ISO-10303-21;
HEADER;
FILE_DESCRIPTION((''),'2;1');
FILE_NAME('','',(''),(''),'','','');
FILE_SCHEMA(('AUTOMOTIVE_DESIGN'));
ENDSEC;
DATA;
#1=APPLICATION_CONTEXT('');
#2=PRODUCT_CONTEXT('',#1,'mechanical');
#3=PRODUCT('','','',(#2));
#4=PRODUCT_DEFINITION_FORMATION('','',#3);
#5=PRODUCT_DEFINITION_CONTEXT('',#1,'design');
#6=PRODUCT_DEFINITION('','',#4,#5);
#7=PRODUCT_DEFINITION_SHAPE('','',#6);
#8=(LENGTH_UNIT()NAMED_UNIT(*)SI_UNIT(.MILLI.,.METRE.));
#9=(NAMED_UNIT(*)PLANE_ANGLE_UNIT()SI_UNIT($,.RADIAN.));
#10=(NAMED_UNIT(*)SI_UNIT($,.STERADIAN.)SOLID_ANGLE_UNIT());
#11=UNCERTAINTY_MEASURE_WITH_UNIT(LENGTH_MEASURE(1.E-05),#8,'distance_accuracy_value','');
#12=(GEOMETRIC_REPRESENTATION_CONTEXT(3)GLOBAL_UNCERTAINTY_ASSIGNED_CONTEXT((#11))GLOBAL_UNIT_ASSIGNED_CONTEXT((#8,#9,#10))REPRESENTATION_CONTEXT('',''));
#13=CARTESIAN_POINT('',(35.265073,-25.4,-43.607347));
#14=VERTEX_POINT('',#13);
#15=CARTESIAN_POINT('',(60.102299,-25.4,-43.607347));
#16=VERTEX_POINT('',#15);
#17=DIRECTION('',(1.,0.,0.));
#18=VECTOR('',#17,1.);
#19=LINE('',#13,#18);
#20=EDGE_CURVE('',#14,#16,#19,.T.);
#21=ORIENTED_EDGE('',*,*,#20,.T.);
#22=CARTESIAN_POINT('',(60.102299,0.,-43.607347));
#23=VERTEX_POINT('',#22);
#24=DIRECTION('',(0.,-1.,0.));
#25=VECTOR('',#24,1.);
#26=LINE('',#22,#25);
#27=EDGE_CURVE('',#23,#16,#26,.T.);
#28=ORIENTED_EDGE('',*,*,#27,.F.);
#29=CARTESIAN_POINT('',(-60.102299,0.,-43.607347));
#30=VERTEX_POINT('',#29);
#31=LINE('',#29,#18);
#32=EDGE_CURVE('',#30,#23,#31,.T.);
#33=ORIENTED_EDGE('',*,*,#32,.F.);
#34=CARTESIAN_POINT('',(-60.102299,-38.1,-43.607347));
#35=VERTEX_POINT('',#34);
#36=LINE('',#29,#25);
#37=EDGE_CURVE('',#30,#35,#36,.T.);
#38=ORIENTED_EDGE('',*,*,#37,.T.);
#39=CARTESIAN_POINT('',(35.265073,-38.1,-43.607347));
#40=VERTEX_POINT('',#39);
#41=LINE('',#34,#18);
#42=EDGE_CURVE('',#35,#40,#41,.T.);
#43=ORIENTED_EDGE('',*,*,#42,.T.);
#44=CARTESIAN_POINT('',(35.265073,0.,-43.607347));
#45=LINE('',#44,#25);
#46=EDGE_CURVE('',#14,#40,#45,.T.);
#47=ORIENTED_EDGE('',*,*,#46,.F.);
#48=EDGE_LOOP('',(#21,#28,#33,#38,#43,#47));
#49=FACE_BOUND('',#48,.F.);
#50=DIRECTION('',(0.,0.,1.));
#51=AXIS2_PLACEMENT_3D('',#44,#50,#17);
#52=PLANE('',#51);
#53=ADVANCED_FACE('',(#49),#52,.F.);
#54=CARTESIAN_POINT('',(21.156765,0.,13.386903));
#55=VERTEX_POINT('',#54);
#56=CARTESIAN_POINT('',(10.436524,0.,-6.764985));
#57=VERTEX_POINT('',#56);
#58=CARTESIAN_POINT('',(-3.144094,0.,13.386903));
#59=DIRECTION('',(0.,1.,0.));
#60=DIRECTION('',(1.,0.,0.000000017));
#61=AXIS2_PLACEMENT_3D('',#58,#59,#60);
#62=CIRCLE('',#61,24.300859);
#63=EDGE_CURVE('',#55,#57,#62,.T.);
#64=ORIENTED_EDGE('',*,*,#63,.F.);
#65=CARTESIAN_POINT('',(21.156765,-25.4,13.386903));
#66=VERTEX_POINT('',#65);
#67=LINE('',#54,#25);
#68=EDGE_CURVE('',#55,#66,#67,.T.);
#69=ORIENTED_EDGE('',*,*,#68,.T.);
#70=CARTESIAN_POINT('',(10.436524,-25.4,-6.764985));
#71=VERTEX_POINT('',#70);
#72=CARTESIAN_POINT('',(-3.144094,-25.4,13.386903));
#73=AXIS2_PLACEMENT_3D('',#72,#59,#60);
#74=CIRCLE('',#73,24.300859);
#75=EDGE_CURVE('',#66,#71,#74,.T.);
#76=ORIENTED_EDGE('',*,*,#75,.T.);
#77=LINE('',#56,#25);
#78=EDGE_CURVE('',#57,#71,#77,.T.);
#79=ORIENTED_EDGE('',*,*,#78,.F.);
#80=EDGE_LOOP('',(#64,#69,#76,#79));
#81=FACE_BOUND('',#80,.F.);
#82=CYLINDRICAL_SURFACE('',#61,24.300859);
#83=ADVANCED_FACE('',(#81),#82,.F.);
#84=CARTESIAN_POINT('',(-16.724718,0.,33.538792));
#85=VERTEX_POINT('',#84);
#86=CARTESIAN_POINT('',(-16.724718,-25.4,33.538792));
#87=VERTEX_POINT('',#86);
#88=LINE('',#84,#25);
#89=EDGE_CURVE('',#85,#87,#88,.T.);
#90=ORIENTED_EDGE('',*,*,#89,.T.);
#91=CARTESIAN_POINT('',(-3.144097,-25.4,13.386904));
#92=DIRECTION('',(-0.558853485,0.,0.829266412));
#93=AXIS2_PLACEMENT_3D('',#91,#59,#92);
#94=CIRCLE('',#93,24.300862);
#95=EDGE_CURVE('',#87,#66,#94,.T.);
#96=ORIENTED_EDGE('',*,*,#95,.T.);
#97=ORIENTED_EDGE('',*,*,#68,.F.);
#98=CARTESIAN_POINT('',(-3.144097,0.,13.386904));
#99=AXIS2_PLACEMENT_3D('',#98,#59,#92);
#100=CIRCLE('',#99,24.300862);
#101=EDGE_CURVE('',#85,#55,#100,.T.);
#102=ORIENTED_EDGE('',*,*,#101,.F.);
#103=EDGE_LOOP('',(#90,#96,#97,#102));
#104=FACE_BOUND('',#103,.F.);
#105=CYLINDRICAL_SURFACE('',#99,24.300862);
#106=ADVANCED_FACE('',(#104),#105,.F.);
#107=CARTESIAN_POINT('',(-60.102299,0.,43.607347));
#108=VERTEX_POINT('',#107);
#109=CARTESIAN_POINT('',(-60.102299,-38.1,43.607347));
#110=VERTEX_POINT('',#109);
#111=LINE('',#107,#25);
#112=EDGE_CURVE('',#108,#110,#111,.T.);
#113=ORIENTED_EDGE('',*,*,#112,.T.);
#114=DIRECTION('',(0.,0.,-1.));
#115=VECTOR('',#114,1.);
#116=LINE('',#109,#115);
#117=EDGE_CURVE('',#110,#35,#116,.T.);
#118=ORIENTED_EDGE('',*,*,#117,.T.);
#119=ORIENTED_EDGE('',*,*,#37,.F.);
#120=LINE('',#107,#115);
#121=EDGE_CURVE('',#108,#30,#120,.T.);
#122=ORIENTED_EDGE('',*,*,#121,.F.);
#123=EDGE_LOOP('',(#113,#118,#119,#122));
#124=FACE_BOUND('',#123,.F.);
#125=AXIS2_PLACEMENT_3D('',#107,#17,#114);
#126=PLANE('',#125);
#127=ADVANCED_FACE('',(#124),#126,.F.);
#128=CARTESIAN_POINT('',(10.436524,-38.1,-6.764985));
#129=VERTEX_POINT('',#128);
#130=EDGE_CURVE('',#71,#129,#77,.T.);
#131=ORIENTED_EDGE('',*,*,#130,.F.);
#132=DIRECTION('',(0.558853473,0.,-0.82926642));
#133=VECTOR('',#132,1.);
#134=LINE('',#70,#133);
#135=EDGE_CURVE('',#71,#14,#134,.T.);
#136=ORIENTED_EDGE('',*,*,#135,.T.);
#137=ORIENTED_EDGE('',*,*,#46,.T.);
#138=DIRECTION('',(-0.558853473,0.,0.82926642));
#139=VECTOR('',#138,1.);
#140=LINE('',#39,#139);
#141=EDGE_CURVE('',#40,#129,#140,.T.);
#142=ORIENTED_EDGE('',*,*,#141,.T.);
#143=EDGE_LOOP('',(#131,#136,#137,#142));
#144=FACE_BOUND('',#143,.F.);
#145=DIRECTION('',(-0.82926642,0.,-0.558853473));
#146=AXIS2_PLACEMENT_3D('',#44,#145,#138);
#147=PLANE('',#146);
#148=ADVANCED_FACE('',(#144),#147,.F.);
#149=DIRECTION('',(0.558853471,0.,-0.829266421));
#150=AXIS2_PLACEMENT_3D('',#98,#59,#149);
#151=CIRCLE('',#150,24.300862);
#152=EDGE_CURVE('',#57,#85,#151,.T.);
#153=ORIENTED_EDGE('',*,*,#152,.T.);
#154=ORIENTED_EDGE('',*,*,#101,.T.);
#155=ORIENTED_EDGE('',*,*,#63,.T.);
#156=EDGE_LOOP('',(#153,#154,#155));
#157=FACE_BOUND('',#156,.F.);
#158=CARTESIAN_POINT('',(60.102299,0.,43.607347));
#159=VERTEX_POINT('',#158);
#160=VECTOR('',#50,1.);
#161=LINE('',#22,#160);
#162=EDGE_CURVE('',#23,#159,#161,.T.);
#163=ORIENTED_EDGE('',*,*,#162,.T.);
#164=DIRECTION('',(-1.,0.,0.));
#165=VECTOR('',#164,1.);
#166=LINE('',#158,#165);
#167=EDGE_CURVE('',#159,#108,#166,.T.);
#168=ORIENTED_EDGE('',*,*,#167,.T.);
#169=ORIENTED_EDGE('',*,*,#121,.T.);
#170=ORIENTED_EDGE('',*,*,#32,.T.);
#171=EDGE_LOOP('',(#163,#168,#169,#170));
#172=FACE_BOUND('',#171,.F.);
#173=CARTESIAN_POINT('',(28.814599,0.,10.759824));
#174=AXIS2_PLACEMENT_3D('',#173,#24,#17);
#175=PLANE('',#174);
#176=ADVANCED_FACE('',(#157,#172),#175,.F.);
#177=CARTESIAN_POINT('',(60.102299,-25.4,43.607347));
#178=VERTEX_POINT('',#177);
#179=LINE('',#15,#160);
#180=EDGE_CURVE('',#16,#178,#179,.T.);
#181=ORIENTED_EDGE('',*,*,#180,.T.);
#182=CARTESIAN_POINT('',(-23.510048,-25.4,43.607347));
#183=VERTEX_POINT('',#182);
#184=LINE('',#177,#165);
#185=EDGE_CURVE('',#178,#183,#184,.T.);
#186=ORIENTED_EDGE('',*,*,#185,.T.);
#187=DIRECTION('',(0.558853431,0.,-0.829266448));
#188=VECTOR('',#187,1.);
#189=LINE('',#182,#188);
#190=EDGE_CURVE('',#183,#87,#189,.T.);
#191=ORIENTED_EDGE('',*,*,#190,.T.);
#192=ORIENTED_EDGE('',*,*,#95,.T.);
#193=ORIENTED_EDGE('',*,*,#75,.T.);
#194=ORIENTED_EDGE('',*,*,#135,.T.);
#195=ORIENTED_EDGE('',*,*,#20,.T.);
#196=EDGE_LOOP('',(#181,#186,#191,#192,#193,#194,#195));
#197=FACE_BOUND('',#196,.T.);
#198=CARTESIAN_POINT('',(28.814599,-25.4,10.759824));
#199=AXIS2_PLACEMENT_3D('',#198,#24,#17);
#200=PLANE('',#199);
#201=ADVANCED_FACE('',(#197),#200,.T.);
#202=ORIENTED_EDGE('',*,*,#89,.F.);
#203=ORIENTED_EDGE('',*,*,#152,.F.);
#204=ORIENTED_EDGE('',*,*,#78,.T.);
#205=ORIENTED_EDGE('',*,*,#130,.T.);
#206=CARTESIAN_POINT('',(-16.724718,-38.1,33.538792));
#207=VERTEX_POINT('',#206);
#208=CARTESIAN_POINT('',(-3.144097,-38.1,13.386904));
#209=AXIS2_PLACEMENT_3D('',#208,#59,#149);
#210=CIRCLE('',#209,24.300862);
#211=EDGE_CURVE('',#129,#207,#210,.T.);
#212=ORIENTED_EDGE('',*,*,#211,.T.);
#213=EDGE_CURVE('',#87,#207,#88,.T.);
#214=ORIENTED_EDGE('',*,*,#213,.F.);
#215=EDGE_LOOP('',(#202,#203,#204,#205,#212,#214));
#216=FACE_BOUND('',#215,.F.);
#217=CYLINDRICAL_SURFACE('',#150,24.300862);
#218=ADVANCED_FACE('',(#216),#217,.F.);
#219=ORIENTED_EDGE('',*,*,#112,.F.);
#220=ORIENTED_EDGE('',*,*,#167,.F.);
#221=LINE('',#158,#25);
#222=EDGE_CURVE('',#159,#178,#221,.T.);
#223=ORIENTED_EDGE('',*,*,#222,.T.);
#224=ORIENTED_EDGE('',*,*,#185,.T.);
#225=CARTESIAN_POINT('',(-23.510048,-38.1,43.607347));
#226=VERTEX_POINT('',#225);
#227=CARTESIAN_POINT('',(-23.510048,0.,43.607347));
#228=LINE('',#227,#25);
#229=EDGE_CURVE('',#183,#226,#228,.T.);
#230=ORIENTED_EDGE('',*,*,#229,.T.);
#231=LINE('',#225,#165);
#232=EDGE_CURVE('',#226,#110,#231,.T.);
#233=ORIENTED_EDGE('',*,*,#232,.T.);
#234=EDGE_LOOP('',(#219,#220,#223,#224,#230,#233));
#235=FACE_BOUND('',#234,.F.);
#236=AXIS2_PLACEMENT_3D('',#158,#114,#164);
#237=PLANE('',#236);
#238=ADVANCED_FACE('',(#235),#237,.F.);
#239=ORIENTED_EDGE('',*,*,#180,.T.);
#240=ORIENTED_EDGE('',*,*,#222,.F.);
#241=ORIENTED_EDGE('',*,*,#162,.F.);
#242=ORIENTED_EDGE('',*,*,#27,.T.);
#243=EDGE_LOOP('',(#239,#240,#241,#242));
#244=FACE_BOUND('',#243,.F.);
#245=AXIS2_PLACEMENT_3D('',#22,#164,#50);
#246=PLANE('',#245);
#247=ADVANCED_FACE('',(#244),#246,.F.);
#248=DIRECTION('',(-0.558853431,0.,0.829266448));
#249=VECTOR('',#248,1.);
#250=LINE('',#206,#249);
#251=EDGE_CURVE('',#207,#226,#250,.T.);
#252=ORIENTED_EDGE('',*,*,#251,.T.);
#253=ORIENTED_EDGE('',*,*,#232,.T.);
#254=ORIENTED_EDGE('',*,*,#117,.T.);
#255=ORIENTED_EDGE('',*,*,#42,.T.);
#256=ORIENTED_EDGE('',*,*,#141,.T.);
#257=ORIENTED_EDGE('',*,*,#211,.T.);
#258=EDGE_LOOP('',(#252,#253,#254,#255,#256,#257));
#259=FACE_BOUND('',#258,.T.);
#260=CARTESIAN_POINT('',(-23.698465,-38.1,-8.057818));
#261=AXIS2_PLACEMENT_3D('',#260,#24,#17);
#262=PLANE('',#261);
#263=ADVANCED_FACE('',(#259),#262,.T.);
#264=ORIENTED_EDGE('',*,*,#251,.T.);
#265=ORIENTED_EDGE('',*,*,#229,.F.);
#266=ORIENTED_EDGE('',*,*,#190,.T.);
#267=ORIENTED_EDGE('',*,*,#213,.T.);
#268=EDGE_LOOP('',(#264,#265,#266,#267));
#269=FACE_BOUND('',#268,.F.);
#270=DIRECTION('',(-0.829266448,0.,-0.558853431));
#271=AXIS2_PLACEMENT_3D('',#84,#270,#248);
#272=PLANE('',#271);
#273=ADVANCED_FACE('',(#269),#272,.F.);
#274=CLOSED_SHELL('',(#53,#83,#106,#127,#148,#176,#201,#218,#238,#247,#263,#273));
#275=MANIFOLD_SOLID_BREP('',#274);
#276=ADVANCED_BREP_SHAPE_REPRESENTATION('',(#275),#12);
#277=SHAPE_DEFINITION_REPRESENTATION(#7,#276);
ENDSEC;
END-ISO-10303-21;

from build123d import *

# Parameters (mm, degrees)
F1_DEPTH = 38.1
F2_DEPTH = 25.4


with BuildPart() as f1:
    # F0 (on Front) → F1 (new body)
    with BuildSketch(Plane.XZ):
        with BuildLine():
            Line((-16.724718, 33.538792), (-23.510048, 43.607347))
            Line((-23.510048, 43.607347), (-60.102299, 43.607347))
            Line((-60.102299, 43.607347), (-60.102299, -43.607347))
            Line((-60.102299, -43.607347), (35.265073, -43.607347))
            Line((35.265073, -43.607347), (10.436524, -6.764985))
            ThreePointArc((10.436524, -6.764985), (-23.295985, -0.193718), (-16.724718, 33.538792))
        make_face()
    extrude(amount=F1_DEPTH)

    # F0 (on Front) → F2 (join)
    with BuildSketch(Plane.XZ):
        with BuildLine():
            Line((60.102299, -43.607347), (60.102299, 43.607347))
            Line((60.102299, 43.607347), (-23.510048, 43.607347))
            Line((-23.510048, 43.607347), (-16.724718, 33.538792))
            ThreePointArc((-16.724718, 33.538792), (8.268859, 34.840955), (21.156765, 13.386903))
            ThreePointArc((21.156765, 13.386903), (18.309955, 1.973948), (10.436524, -6.764985))
            Line((10.436524, -6.764985), (35.265073, -43.607347))
            Line((35.265073, -43.607347), (60.102299, -43.607347))
        make_face()
    extrude(amount=F2_DEPTH)


solid = f1.part
